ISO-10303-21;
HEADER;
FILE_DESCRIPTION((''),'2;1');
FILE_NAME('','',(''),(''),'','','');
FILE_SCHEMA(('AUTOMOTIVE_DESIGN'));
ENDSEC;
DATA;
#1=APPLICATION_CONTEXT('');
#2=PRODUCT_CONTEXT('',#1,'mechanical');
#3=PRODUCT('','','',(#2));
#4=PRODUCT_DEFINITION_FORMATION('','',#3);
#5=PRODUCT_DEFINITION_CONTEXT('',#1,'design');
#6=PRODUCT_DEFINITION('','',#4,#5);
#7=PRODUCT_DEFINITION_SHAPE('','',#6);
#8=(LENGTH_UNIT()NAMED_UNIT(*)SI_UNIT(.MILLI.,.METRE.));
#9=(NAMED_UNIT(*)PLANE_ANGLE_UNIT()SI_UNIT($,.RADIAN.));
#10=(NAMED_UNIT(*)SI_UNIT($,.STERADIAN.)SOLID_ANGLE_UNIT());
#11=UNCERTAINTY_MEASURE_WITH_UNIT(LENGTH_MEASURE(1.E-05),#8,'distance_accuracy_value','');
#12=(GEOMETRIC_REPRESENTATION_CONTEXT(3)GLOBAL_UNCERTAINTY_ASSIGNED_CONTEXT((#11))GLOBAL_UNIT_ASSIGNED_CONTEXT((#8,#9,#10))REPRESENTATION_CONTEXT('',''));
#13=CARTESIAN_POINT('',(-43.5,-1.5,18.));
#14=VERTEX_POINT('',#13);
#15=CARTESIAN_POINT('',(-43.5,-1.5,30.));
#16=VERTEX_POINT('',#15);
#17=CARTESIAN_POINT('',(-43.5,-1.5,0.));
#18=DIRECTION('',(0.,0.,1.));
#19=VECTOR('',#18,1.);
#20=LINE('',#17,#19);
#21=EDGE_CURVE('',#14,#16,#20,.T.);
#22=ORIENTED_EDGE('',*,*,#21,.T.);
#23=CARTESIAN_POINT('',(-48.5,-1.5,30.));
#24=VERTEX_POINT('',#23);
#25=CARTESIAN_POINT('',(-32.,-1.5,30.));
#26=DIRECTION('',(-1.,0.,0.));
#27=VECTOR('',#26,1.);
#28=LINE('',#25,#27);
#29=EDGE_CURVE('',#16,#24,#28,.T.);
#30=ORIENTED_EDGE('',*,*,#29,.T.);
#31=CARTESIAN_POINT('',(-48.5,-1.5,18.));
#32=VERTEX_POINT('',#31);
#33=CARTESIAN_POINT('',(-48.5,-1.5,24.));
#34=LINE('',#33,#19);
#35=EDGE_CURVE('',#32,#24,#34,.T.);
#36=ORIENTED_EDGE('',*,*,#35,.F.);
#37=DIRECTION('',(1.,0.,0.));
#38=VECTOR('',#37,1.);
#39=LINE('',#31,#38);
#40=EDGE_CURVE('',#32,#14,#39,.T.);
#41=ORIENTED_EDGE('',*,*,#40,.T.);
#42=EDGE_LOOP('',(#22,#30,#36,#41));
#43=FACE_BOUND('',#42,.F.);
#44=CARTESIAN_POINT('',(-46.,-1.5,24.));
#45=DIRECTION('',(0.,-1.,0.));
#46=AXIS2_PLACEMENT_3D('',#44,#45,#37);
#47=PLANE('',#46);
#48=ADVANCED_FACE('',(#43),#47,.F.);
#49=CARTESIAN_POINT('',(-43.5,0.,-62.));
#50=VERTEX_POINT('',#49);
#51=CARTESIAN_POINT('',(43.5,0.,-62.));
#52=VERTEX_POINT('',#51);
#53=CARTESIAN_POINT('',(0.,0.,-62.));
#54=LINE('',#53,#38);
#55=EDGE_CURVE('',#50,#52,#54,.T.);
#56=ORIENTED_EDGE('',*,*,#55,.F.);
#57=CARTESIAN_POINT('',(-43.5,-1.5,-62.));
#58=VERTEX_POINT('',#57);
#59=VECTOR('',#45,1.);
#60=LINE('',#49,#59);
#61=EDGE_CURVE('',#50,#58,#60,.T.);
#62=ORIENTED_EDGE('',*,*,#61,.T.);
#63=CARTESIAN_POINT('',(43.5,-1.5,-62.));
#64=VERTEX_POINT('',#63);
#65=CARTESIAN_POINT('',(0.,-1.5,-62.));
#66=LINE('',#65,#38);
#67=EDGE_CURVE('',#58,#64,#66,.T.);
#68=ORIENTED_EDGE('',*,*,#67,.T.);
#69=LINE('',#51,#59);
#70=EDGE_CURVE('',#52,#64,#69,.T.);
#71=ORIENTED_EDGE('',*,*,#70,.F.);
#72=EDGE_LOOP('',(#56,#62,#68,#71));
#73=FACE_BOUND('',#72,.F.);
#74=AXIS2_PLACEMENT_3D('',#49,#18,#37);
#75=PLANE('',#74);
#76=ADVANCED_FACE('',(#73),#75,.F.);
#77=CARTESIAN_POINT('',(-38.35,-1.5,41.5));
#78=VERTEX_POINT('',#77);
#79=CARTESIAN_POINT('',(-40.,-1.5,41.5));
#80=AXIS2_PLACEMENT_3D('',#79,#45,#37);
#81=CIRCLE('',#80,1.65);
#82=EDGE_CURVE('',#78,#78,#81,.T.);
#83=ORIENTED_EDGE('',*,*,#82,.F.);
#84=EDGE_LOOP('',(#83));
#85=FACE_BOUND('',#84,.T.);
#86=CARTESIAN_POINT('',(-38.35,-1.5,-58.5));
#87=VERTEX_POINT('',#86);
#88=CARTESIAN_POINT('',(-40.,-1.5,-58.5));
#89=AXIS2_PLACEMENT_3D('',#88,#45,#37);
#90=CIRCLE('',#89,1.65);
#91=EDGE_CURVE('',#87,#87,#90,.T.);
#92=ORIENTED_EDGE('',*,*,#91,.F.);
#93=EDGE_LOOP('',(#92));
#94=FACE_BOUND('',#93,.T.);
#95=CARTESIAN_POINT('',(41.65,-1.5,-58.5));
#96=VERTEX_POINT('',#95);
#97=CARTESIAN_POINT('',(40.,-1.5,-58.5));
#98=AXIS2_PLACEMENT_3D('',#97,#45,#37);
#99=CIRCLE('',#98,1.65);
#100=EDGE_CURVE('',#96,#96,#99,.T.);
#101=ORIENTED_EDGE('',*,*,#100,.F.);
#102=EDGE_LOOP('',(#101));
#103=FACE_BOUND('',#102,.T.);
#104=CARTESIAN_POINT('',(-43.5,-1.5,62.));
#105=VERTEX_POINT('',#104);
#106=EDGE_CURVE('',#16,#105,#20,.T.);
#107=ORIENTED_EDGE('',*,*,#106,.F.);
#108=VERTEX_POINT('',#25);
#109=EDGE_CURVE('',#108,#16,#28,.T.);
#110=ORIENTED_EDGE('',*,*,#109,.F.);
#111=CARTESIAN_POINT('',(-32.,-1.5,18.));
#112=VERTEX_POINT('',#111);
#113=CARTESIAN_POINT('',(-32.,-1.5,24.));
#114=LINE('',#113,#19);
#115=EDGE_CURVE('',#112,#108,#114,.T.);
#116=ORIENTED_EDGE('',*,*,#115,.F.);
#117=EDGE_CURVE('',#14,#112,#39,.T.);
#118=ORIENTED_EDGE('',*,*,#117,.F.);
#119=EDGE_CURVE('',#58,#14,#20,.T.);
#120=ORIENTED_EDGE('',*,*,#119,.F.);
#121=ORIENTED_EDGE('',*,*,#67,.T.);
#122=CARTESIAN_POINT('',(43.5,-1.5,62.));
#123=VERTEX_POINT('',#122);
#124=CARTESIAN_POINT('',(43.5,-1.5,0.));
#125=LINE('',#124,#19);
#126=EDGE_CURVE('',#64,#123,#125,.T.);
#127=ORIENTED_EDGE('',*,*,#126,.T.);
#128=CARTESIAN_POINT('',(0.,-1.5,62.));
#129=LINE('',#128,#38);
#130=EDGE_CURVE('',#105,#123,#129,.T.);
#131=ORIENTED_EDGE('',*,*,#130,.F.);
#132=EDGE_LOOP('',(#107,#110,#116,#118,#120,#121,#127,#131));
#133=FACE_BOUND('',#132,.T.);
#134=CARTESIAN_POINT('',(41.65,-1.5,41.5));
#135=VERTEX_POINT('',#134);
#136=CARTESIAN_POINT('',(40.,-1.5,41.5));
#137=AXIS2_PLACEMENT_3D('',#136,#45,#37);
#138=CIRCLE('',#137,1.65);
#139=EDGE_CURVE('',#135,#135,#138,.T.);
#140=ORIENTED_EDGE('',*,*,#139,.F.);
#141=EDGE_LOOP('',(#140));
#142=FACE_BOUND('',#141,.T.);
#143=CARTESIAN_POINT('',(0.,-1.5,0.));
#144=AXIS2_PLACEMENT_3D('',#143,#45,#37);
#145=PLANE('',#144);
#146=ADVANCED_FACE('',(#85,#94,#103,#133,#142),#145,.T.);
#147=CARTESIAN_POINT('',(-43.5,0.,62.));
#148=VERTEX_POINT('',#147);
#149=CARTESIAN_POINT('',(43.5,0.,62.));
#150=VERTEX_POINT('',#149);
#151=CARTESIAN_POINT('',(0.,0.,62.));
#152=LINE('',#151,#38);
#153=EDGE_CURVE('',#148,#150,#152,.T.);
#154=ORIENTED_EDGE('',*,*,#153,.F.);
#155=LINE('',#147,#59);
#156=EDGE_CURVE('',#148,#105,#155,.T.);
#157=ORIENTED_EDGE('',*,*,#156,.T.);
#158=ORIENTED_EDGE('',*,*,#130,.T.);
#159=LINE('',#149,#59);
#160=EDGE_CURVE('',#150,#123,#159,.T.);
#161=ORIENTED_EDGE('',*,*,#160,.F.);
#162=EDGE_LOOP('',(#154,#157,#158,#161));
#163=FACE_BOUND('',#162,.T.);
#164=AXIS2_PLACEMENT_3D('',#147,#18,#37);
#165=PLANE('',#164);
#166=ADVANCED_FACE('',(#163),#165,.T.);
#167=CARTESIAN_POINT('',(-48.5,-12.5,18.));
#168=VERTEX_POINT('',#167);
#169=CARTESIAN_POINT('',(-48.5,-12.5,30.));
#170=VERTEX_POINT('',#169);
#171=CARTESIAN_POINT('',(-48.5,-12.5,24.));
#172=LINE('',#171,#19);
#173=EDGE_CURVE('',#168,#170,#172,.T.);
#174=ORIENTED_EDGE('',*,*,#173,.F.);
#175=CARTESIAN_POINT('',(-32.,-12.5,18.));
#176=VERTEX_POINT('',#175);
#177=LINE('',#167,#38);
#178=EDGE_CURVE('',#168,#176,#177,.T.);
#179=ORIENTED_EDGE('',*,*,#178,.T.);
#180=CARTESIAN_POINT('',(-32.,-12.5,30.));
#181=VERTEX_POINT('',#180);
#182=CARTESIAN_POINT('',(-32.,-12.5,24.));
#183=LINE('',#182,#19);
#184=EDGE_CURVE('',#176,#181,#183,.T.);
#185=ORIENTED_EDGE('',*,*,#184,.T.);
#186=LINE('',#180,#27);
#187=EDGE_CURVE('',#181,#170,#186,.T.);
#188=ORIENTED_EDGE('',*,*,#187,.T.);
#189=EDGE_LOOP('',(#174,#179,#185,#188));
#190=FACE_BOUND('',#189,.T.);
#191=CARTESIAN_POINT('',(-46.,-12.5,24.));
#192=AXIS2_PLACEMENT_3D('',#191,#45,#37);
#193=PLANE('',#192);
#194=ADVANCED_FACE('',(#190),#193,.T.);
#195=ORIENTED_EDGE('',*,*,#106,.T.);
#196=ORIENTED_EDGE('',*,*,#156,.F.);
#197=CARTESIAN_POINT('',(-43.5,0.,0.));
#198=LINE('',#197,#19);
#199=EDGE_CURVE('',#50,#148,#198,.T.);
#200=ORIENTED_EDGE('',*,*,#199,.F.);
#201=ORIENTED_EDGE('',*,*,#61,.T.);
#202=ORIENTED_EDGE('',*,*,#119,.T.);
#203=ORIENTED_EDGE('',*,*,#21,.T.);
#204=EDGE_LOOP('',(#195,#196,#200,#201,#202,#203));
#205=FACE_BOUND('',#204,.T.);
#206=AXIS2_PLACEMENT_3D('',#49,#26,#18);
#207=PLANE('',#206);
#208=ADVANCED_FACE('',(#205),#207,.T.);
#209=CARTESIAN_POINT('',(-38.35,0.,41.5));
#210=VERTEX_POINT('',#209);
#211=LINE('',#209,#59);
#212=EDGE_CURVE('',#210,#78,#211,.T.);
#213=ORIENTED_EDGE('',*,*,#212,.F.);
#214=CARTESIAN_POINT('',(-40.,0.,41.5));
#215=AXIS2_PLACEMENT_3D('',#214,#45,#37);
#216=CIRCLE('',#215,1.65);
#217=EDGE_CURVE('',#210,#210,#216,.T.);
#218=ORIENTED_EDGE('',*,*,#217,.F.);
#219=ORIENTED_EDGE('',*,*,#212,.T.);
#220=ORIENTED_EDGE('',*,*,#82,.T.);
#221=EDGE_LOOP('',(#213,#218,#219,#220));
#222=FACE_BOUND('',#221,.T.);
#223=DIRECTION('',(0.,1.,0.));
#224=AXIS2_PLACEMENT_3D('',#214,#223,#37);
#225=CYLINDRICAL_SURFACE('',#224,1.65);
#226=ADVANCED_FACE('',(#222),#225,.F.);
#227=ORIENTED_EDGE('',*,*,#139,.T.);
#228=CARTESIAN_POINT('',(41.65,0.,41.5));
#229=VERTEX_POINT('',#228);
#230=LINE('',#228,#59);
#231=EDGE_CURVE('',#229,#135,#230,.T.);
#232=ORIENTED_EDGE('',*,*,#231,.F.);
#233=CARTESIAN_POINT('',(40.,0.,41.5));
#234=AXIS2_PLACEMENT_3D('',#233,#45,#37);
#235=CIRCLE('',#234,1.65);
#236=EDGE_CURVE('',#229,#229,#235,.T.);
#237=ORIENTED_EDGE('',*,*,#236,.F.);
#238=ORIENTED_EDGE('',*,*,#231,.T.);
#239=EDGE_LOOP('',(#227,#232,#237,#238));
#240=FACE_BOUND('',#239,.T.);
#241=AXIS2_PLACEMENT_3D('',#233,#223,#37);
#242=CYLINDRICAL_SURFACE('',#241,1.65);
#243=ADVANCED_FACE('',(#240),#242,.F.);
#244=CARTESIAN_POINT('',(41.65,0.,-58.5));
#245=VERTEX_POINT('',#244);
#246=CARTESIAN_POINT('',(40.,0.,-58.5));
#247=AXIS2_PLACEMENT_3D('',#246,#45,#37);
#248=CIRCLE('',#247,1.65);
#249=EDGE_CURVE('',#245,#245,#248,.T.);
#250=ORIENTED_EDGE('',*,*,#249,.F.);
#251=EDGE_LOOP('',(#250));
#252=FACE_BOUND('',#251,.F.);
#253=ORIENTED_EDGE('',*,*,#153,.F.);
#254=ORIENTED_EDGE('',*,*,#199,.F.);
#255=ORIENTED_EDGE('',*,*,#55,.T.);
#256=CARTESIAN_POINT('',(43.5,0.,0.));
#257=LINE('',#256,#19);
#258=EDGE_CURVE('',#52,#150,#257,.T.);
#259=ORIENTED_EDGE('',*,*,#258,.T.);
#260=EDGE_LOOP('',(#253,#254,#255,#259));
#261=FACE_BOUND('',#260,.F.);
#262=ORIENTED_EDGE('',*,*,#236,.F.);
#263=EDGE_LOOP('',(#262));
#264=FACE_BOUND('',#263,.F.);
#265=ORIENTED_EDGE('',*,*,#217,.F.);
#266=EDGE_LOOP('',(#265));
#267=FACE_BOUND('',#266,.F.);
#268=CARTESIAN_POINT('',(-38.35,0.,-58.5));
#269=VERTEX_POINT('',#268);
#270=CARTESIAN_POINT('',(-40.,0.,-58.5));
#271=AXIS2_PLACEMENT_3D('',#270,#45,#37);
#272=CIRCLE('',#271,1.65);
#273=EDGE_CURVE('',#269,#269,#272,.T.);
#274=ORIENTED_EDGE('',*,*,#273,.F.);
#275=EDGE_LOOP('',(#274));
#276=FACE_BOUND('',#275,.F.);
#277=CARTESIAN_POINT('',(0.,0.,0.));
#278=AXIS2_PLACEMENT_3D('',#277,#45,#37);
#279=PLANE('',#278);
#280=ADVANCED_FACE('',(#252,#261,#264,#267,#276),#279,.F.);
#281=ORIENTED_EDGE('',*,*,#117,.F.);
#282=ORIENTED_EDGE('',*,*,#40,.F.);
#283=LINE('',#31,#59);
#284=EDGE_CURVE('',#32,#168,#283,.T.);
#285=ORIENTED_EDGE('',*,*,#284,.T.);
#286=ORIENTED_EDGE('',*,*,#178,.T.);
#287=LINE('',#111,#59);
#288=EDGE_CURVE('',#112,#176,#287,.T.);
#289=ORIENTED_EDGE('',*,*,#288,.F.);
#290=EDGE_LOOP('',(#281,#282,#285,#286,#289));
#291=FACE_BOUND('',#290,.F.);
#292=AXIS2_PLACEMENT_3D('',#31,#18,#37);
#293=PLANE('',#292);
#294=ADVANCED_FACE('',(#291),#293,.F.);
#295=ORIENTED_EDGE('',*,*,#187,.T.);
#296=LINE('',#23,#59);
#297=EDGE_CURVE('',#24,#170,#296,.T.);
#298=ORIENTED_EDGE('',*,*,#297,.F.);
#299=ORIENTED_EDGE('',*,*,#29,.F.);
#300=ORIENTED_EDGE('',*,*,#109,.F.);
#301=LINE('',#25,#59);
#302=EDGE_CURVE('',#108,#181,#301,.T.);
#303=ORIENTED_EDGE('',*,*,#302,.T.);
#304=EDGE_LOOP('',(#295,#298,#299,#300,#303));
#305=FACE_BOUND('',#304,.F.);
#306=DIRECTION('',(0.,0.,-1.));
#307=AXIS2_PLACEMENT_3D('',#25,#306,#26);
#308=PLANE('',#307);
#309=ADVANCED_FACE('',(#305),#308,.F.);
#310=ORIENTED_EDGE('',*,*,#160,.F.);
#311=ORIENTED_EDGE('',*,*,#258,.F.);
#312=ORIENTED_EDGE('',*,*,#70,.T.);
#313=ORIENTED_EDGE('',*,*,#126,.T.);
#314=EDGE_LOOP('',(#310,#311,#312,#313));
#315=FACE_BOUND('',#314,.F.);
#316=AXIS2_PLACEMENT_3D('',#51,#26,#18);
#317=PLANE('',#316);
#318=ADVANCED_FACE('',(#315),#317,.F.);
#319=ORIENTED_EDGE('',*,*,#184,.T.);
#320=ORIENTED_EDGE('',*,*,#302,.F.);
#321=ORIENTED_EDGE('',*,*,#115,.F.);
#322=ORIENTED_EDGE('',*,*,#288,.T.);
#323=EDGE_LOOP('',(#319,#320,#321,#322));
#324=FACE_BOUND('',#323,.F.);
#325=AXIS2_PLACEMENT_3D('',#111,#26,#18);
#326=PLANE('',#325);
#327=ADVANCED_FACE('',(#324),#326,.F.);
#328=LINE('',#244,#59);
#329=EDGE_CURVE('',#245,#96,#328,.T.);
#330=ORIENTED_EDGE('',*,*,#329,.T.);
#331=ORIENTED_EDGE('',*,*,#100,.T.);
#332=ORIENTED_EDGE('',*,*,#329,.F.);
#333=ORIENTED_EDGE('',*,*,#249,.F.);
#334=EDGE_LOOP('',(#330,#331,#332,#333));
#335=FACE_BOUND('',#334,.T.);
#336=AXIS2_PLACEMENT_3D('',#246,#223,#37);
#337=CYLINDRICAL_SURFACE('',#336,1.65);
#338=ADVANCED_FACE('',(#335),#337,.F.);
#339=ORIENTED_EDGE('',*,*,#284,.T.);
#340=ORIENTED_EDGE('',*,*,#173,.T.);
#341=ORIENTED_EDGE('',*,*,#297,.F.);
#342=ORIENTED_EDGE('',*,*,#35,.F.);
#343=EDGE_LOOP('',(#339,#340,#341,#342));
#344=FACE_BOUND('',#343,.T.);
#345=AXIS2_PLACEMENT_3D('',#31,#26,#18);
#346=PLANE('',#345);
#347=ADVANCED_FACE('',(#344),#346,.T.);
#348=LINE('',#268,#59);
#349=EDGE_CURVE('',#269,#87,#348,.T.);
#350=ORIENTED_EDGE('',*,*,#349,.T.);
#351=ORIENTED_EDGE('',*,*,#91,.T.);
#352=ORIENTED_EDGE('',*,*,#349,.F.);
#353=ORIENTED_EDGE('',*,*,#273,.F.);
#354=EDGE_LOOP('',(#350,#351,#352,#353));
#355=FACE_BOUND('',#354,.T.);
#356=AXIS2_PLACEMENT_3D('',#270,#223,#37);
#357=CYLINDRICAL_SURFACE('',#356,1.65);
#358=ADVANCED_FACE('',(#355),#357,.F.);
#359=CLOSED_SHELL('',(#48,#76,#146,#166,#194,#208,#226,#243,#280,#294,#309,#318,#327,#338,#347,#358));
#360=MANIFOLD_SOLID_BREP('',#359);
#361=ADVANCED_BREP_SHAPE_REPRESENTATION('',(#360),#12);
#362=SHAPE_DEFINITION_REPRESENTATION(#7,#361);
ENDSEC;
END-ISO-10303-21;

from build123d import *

# Parameters (mm, degrees)
F0_W     = 87
F0_H     = 124
F0_R     = 1.65
F1_DEPTH = 1.5
F2_W     = 5
F2_H     = 12
F2_W_2   = 11.5
F3_DEPTH = 11


with BuildPart() as f1:
    # F0 (on Front) → F1 (new body)
    with BuildSketch(Plane.XZ):
        Rectangle(F0_W, F0_H)
        with Locations((-40, -58.5)):
            Circle(F0_R, mode=Mode.SUBTRACT)
        with Locations((40, -58.5)):
            Circle(F0_R, mode=Mode.SUBTRACT)
        with Locations((-40, 41.5)):
            Circle(F0_R, mode=Mode.SUBTRACT)
        with Locations((40, 41.5)):
            Circle(F0_R, mode=Mode.SUBTRACT)
    extrude(amount=F1_DEPTH)

    # F2 (on face) → F3 (join)
    with BuildSketch(Plane.XZ.offset(1.5)):
        with Locations((-46, 24)):
            Rectangle(F2_W, F2_H)
        with Locations((-37.75, 24)):
            Rectangle(F2_W_2, F2_H)
    extrude(amount=F3_DEPTH)


solid = f1.part
